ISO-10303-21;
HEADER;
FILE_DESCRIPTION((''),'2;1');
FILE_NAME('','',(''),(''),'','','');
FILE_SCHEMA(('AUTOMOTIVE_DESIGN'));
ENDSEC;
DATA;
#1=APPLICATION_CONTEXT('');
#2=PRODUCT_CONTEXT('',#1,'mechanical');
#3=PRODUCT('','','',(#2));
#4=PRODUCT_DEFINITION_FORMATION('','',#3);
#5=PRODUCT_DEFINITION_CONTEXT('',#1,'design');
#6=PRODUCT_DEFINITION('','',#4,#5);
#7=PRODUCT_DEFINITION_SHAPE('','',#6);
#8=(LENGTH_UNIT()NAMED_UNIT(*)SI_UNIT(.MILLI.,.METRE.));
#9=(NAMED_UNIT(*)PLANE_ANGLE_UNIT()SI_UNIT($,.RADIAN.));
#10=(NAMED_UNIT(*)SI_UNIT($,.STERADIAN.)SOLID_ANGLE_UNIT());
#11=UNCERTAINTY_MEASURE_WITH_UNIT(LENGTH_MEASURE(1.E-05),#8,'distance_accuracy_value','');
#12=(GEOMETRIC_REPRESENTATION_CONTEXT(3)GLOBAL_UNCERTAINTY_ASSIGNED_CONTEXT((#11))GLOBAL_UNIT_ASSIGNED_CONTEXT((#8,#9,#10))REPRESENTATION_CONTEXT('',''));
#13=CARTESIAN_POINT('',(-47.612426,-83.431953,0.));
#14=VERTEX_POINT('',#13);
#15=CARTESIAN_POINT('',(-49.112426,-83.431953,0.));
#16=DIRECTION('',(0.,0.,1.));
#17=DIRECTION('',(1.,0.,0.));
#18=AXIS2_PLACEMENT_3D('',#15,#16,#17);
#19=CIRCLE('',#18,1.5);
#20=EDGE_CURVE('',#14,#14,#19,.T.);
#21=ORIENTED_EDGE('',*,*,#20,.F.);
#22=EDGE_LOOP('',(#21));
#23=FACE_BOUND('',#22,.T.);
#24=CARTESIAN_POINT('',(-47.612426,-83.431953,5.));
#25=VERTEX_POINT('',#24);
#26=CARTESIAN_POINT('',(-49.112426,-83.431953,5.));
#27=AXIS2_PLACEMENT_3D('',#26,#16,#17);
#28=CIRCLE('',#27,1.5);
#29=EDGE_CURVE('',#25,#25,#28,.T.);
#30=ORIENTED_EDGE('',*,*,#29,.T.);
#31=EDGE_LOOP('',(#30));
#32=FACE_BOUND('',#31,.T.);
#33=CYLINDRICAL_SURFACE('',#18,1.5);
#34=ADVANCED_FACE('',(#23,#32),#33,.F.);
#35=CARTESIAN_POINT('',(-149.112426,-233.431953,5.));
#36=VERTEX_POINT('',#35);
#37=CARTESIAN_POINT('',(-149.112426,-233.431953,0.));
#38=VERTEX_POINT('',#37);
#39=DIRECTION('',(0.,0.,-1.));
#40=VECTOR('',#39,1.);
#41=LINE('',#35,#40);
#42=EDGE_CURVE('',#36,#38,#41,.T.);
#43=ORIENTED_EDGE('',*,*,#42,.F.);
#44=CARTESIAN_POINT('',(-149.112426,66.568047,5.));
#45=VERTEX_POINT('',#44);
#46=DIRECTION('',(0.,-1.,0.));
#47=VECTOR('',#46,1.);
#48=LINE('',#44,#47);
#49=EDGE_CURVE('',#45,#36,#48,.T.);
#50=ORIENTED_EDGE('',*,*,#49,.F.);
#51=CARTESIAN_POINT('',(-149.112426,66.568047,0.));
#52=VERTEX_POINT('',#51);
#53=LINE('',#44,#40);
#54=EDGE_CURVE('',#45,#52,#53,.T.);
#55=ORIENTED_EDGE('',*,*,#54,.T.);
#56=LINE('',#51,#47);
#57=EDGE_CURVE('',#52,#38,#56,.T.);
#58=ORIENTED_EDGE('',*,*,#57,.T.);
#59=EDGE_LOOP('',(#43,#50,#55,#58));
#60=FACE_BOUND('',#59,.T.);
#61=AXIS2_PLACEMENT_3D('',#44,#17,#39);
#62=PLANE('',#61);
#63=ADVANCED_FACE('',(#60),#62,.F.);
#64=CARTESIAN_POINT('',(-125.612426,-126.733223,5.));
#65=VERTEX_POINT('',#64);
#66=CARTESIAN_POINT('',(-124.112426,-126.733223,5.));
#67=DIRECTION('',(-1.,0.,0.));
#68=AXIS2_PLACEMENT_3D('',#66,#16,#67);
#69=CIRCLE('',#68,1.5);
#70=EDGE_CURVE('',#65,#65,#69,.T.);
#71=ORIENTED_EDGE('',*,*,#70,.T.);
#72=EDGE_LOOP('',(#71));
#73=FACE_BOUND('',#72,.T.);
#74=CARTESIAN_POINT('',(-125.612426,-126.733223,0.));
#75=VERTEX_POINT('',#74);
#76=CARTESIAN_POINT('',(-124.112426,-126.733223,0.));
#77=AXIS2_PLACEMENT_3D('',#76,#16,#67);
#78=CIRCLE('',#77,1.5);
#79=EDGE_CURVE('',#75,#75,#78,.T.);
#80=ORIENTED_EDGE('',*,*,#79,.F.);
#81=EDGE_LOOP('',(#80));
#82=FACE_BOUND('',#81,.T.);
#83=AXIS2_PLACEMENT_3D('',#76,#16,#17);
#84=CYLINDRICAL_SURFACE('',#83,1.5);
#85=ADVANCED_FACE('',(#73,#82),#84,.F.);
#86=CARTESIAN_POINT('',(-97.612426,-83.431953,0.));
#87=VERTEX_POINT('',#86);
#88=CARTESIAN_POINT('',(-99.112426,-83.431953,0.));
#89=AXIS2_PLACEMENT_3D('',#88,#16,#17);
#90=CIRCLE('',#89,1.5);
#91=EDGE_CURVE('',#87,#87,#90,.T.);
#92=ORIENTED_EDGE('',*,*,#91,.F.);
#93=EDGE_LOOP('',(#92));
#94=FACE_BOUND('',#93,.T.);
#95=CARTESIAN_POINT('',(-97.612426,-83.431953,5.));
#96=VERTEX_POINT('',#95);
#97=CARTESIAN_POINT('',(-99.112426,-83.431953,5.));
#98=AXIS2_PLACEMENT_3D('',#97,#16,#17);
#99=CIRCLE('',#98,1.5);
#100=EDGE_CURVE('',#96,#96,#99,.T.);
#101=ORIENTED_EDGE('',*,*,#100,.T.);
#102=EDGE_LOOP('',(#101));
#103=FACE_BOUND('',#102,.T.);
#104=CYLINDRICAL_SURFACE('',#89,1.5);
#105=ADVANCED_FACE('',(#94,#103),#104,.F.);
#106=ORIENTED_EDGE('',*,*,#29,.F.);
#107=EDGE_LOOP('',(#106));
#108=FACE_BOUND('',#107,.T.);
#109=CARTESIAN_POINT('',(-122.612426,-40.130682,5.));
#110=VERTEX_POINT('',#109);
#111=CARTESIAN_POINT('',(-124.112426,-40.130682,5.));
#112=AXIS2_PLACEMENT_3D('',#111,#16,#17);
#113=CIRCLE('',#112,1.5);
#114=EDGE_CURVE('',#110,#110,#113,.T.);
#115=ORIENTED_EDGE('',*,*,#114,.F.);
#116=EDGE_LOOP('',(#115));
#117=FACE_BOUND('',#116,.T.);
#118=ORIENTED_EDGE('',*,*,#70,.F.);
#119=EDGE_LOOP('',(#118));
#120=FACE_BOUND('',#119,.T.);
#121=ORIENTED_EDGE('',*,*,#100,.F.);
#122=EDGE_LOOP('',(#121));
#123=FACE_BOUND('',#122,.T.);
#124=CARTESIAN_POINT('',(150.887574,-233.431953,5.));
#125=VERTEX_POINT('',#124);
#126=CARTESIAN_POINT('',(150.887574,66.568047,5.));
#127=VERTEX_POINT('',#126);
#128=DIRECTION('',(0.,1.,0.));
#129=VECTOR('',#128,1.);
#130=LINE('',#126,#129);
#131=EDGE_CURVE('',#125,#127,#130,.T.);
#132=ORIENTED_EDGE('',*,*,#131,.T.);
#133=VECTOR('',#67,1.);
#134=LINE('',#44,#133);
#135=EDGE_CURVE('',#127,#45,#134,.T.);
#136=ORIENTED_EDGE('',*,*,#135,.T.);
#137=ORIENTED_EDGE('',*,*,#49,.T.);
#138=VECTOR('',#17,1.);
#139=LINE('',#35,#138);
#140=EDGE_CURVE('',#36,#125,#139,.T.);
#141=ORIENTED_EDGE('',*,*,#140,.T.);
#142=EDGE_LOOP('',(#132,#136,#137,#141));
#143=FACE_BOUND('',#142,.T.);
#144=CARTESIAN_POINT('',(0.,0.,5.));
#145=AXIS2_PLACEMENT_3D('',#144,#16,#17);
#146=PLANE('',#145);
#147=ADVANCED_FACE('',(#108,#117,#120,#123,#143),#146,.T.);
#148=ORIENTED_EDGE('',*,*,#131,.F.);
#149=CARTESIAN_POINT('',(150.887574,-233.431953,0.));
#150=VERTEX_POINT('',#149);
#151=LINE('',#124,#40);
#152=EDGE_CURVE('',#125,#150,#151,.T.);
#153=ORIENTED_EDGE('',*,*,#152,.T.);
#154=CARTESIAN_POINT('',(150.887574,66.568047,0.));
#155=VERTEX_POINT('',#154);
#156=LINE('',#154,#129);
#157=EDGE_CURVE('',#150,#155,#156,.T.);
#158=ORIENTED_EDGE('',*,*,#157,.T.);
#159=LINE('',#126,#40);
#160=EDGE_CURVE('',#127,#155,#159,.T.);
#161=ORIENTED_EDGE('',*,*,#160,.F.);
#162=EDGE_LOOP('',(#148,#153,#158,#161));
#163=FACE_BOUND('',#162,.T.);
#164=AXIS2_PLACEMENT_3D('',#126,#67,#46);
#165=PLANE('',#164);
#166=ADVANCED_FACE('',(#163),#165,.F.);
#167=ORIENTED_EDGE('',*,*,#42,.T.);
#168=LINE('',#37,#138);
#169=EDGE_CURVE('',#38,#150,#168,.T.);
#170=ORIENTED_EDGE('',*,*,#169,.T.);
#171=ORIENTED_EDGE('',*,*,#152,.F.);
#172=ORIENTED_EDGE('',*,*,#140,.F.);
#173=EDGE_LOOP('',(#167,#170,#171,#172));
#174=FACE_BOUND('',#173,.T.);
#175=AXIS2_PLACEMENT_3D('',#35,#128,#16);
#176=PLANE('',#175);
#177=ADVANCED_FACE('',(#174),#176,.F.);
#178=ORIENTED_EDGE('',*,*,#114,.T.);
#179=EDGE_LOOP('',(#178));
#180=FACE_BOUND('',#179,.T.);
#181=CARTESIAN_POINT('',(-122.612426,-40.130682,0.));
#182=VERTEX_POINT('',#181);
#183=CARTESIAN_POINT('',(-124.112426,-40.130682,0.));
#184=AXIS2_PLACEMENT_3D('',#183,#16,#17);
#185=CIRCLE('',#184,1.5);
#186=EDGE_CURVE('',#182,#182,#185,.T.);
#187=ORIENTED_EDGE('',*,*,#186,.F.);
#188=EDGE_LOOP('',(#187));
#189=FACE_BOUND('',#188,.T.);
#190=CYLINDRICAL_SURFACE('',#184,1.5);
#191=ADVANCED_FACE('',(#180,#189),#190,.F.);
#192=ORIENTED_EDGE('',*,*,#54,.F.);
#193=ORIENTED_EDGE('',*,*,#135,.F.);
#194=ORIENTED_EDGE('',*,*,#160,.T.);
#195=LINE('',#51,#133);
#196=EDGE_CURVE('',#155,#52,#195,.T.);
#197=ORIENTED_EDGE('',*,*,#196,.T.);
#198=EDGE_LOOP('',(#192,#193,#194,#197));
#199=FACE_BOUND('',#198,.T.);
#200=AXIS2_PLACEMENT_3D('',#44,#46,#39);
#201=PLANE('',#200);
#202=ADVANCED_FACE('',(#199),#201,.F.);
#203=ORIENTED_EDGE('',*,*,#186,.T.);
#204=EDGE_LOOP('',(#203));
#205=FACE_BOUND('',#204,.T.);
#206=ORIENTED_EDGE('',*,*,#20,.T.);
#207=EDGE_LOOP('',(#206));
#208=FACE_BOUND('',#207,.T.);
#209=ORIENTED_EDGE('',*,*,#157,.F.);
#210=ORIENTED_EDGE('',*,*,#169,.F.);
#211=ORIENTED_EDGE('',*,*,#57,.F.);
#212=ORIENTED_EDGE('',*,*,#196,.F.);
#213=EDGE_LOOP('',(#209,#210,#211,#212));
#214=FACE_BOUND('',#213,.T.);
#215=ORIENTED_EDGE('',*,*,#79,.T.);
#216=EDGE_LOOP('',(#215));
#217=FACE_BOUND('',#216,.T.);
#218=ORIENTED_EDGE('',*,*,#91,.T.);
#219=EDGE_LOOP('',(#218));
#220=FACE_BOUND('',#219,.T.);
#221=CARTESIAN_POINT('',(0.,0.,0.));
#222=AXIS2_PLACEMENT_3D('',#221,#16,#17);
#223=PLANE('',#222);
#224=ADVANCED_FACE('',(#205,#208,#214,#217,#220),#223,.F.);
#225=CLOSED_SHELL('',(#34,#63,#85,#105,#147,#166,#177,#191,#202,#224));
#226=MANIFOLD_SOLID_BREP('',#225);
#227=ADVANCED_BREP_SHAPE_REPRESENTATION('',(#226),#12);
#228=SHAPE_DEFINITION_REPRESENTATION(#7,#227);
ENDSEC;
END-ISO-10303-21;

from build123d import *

# Parameters (mm, degrees)
SKETCH1_W           = 300
SKETCH1_H           = 300
BOSS_EXTRUDE1_DEPTH = 5
SKETCH5_R           = 1.5
CUT_EXTRUDE3_DEPTH  = 278.997367795
SKETCH6_R           = 1.5
CUT_EXTRUDE5_DEPTH  = 278.997367795


with BuildPart() as part:
    # Sketch1 → Boss-Extrude1 (new body)
    with BuildSketch(Plane.XY):
        with Locations((0.887573964, -83.431952663)):
            Rectangle(SKETCH1_W, SKETCH1_H)
    extrude(amount=BOSS_EXTRUDE1_DEPTH)

    # Sketch5 → Cut-Extrude3 (cut, through all)
    with BuildSketch(Plane.XY.offset(5)):
        with Locations((-99.112426036, -83.431952663)):
            Circle(SKETCH5_R)
    extrude(amount=-CUT_EXTRUDE3_DEPTH, mode=Mode.SUBTRACT)

    # Sketch6 → Cut-Extrude5 (cut, through all)
    with BuildSketch(Plane.XY.offset(5)):
        with Locations((-49.112426036, -83.431952663)):
            Circle(SKETCH6_R)
        with Locations((-124.112426036, -40.130682474)):
            Circle(SKETCH6_R)
        with Locations(Location((-124.112426036, -126.733222852, 0), (0, 0, 180))):
            Circle(SKETCH6_R)
    extrude(amount=-CUT_EXTRUDE5_DEPTH, mode=Mode.SUBTRACT)


solid = part.part
